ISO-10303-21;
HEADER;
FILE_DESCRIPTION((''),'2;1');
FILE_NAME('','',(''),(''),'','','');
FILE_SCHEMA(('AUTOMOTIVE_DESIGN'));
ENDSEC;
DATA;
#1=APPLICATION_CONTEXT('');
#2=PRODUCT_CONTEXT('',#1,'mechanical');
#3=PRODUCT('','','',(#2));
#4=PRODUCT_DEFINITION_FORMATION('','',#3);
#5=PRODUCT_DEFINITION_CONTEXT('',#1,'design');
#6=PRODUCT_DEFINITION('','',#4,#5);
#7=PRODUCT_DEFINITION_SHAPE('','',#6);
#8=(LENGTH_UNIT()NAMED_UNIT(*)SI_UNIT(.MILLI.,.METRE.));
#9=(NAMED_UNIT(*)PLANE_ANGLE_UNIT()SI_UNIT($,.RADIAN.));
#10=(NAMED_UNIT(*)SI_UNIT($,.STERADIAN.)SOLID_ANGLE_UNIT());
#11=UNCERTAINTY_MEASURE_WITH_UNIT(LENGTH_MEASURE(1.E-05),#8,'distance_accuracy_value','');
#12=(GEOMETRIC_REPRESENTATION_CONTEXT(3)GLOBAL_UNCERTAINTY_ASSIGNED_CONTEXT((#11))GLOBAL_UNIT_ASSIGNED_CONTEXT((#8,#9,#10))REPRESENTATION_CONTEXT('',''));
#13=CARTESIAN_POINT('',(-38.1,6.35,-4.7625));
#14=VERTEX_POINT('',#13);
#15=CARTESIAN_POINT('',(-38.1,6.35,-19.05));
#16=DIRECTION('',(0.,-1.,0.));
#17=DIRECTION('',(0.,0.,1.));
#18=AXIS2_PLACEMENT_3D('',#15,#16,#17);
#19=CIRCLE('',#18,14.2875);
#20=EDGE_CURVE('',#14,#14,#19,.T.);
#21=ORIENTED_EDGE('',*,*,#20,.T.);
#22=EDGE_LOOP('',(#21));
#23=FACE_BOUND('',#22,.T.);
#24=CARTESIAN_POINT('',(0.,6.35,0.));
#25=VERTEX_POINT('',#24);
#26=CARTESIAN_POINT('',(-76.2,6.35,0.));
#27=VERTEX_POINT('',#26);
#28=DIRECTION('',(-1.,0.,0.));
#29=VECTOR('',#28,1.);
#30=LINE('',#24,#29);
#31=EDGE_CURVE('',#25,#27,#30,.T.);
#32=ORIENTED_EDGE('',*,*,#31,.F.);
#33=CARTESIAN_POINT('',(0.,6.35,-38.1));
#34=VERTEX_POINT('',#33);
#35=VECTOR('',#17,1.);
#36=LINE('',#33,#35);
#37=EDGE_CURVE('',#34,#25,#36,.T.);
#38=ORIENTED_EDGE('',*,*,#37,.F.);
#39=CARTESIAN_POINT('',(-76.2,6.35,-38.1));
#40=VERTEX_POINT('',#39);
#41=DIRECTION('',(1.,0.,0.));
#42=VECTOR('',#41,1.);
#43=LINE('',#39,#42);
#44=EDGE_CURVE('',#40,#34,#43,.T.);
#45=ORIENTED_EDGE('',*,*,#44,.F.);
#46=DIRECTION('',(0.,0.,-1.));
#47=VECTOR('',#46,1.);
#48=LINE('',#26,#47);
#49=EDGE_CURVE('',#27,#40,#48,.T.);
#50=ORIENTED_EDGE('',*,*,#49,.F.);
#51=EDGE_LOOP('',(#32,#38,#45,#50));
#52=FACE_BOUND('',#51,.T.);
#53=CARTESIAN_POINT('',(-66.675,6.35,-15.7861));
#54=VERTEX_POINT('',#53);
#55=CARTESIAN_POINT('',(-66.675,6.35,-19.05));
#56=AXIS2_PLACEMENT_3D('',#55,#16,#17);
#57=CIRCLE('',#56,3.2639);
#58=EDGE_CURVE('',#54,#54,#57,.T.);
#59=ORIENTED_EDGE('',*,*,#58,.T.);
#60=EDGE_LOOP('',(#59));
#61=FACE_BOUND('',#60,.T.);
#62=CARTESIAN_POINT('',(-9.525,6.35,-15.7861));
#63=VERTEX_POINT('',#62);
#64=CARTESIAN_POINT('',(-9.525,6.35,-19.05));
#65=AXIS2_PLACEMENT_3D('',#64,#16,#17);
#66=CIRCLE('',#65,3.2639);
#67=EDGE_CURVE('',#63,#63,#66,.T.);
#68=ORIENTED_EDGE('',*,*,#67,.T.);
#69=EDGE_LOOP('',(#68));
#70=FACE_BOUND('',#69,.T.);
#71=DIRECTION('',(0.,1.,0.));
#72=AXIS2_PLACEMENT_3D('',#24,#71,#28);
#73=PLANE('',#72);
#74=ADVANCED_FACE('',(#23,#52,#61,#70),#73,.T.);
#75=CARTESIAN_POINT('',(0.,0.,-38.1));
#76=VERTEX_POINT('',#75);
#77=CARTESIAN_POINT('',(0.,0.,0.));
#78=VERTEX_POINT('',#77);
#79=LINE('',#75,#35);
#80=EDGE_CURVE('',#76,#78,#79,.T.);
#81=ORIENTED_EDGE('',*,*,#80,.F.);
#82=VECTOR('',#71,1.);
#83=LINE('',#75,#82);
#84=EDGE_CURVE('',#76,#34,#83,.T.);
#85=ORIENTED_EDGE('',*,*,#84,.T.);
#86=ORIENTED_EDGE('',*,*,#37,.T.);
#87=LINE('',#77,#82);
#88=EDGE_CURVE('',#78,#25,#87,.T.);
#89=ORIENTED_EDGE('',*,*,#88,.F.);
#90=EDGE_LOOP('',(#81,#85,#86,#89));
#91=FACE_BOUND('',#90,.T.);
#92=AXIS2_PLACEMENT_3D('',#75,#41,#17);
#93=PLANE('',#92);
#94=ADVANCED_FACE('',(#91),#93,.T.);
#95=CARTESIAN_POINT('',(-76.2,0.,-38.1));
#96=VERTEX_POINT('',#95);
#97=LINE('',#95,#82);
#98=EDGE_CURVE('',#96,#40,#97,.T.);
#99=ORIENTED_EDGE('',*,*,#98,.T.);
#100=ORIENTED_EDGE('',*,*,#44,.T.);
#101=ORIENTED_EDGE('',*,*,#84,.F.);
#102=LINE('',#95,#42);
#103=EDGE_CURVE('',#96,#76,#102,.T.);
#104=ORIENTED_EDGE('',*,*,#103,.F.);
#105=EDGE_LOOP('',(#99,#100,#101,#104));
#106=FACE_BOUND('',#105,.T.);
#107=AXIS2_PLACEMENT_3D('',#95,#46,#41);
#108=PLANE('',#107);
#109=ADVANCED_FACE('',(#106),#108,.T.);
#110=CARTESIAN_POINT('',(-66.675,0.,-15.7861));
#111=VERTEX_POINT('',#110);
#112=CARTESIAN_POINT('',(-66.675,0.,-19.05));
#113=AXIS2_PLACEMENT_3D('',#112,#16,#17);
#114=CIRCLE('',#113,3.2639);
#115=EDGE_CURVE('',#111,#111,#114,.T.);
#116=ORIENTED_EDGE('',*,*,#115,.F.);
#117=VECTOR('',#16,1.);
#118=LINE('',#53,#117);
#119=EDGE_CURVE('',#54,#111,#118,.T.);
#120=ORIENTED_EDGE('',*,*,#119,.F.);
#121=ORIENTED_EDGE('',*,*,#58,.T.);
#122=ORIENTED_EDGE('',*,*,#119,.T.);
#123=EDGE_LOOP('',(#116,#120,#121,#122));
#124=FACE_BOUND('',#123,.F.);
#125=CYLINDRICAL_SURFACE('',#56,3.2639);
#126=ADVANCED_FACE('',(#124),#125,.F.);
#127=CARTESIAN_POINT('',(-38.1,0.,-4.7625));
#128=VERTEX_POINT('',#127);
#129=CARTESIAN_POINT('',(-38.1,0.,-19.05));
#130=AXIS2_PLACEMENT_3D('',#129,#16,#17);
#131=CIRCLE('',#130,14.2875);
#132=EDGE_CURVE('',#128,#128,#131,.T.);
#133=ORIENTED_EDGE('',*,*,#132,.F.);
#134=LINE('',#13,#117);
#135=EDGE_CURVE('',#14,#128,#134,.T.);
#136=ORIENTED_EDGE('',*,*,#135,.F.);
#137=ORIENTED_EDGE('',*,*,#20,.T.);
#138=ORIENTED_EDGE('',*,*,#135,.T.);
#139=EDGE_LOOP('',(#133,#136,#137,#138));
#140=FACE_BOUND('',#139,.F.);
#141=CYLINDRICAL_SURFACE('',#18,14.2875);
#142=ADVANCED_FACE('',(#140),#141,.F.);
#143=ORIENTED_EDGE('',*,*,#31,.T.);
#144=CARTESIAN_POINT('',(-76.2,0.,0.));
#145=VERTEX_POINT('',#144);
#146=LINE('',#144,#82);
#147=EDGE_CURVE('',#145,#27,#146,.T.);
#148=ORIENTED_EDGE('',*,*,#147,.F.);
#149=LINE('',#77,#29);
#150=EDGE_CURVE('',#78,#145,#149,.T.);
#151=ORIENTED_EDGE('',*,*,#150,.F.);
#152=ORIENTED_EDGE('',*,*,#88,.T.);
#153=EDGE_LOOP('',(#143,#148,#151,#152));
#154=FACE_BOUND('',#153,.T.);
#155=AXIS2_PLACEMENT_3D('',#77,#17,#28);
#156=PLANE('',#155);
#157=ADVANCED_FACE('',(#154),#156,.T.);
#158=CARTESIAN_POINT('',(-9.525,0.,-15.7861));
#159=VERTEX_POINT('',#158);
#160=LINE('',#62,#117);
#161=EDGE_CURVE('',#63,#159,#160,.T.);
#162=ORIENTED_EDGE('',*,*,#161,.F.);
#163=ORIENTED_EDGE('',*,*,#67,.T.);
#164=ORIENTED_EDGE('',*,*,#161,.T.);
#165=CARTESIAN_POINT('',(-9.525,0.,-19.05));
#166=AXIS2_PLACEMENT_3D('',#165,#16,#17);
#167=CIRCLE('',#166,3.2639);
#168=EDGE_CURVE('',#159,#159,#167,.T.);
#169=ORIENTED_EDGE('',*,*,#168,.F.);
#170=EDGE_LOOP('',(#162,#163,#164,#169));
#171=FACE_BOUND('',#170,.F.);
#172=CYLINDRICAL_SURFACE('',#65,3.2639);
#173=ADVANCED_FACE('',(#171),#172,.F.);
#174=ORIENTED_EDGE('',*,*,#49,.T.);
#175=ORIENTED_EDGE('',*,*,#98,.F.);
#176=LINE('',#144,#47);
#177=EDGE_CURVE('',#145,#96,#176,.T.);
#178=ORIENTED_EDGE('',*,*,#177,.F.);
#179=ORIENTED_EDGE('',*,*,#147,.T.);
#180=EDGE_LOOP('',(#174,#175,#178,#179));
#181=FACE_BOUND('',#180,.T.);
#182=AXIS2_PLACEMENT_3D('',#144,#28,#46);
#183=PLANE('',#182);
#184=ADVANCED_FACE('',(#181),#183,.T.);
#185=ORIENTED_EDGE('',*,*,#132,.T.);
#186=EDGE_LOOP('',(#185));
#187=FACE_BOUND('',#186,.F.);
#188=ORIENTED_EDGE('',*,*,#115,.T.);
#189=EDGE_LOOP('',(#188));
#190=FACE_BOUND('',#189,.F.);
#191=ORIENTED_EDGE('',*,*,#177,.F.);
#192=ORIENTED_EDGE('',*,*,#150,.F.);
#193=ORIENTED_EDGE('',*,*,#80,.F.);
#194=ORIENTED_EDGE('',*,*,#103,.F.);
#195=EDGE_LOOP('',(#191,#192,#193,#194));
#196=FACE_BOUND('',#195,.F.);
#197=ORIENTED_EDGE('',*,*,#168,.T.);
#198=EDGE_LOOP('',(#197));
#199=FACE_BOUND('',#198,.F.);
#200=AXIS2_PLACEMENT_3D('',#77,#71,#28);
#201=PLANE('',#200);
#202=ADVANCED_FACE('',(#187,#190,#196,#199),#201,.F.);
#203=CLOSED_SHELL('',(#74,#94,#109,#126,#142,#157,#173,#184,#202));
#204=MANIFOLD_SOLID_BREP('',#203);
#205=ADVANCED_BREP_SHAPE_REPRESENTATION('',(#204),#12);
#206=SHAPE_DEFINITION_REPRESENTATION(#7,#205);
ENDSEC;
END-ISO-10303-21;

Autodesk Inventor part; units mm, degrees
ref_plane "YZ Plane" through (0, 0, 0) normal (1, 0, 0) x (0, 1, 0)
ref_plane "XZ Plane" through (0, 0, 0) normal (0, 1, 0) x (-1, 0, 0)
ref_plane "XY Plane" through (0, 0, 0) normal (0, 0, 1) x (1, 0, 0)
sketch "Sketch1" plane through (0, 0, 0) normal (0, 1, 0) x (-1, 0, 0)
  line L0 (0, 0) -> (76.2, 0)
  line L1 (76.2, 0) -> (76.2, -38.1)
  line L2 (76.2, -38.1) -> (0, -38.1)
  line L3 (0, -38.1) -> (0, 0)
  dimension "d0" = 76.2
  dimension "d1" = 38.1
extrude "Plate1" add sketch "Sketch1" along normal blind 6.35
sketch "Sketch2" plane through (0, 6.35, 0) normal (0, 1, 0) x (1, 0, 0)
  line L0 (-76.2, 38.1) -> (0, 38.1) projected
  line L1 (-76.2, 0) -> (-76.2, 38.1) projected
  point P0 (0, 0)
  point P1 (-38.1, 19.05)
  dimension "d3" = 19.05
  dimension "d4" = 38.1
hole "Hole1" at (-38.1, 6.35, -19.05) direction (0, -1, 0) diameter 28.575 end through all
sketch "Sketch4" plane through (0, 6.35, 0) normal (0, 1, 0) x (1, 0, 0)
  line L0 (-66.675, 19.05) -> (-9.525, 19.05) construction
  circle A0 centre (-38.1, 19.05) radius 14.2875 construction
  point P0 (0, 0)
  dimension "d28" = 28.575
  dimension "d29" = 28.575
hole "Hole3" at (-66.675, 6.35, -19.05) at (-9.525, 6.35, -19.05) direction (0, -1, 0) diameter 6.5278 end through all clearance for "Socket Head Cap Screw" size "1/4" standard "Ansi Unified Screw Threads"
equation "\"d4\" = 0.5 * d0"
equation "\"d10\" = Thickness"
equation "\"d28\" = CenterPointToTensionerRound"
equation "\"d29\" = d28"
equation "\"d31\" = ShapeWidth"
equation "\"d35\" = Thickness"
equation "\"d2\" = Thickness"
equation "\"BendRadius\" = 1.5 * Thickness"
equation "\"BendReliefWidth\" = Thickness"
equation "\"BendReliefDepth\" = 0.5 * Thickness"
equation "\"CornerReliefSize\" = 4 * Thickness"
equation "\"MinimumRemnant\" = 2 * Thickness"
equation "\"TransitionRadius\" = BendRadius"
equation "\"JacobiRadiusSize\" = BendRadius"
equation "\"GapSize\" = Thickness"
equation "\"DrivebaseLength\" = 762"
equation "\"DrivebaseWidth\" = 660.4"
equation "\"CenterlineDrivebaseLength\" = 736.6"
equation "\"CenterlineDrivebaseWidth\" = 635"
equation "\"ShapeHeight\" = 76.2"
equation "\"ShapeWidth\" = 25.4"
equation "\"ShapeThickness\" = 3.175"
equation "\"WheelDiameter\" = 152.4"
equation "\"WheelRadius\" = 76.2"
equation "\"WheelClearancetoFrame\" = 25.4"
equation "\"WheelDistanceFromEdge\" = 101.6"
equation "\"SlotLength\" = 88.9"
equation "\"SlotWidth\" = 15.9512"
equation "\"CenterAxleDrop\" = 3.175"
equation "\"SlidingTensionerRoundDiameter\" = 15.875"
equation "\"SlidingTensionerRoundClearance\" = 0.0762"
equation "\"CenterAxleXPosition\" = 381"
equation "\"CenterAxleYPosition\" = 25.4"
equation "\"Crossmember1Position\" = 203.2"
equation "\"Crossmember2Position\" = 203.2"
equation "\"TensionAssemblyJointTravelLengthStart\" = -15.875"
equation "\"TensionAssemblyJointTravelLengthEnd\" = 15.875"
equation "\"CenterPointToTensionerRound\" = 28.575"
equation "\"Thickness\" = 6.35"
properties part number "200288" material "Aluminum 5052 H32"
